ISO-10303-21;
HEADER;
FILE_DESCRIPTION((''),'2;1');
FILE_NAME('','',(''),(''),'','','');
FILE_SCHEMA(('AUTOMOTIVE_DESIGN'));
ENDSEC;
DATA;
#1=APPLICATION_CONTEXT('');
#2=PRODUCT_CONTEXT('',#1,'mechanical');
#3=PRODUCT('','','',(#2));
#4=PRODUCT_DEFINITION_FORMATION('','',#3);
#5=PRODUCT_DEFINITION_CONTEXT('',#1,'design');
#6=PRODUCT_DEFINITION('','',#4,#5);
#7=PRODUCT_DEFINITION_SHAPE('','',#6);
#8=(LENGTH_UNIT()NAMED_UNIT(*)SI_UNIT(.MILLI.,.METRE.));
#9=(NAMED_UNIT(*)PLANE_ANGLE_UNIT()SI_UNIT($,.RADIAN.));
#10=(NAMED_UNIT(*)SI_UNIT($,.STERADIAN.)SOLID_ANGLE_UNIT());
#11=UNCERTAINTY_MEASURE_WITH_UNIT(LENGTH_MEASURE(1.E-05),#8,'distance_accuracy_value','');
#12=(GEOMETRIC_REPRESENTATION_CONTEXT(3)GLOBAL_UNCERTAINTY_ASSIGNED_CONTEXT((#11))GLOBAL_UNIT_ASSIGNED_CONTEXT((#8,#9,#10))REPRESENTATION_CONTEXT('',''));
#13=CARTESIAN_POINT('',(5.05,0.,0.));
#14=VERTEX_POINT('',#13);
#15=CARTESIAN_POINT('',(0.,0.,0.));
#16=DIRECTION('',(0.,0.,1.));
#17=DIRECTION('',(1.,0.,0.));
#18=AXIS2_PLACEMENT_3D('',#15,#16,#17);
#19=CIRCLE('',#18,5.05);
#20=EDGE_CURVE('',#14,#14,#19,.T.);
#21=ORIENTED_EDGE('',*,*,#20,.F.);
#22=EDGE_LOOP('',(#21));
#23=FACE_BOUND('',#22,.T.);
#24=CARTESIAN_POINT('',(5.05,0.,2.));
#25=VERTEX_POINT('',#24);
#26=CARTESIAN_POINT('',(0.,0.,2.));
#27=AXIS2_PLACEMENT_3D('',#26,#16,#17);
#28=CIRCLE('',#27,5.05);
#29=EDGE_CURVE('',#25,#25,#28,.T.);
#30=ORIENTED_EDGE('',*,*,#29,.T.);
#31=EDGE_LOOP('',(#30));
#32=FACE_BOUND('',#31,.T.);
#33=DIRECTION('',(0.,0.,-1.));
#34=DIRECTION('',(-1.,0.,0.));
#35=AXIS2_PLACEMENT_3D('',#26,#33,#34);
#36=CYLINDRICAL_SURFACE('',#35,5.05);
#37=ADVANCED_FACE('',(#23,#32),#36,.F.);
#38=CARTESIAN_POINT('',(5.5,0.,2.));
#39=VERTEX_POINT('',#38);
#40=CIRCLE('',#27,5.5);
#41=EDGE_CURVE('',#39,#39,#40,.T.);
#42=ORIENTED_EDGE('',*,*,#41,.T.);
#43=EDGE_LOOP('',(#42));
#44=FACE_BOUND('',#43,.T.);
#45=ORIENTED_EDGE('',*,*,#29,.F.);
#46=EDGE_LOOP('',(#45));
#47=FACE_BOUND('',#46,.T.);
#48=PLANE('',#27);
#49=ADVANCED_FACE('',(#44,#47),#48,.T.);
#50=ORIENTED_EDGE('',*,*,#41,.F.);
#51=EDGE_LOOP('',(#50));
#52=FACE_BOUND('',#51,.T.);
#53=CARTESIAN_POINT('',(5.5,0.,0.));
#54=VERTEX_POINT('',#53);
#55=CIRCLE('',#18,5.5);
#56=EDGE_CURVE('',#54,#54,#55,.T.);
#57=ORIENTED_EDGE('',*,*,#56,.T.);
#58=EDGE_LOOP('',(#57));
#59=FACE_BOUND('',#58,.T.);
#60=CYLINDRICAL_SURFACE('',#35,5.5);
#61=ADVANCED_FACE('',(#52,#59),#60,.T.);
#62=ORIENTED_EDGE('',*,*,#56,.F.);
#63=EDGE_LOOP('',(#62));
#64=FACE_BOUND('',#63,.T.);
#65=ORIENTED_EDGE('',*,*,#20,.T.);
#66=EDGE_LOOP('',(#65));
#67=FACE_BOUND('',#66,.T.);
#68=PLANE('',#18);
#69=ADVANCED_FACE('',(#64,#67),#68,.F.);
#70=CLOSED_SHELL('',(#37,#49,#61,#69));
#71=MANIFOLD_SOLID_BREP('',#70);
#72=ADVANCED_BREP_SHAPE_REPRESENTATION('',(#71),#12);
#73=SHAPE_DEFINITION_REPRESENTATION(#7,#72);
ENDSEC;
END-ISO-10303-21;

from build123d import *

# Parameters (mm, degrees)
SZKIC1_R                    = 5.5
SZKIC1_R_2                  = 5.05
DODANIE_WYCI_GNI_CIE1_DEPTH = 2


with BuildPart() as part:
    # Szkic1 → Dodanie-wyciągnięcie1 (new body)
    with BuildSketch(Plane.XY):
        Circle(SZKIC1_R)
        Circle(SZKIC1_R_2, mode=Mode.SUBTRACT)
    extrude(amount=DODANIE_WYCI_GNI_CIE1_DEPTH)


solid = part.part
